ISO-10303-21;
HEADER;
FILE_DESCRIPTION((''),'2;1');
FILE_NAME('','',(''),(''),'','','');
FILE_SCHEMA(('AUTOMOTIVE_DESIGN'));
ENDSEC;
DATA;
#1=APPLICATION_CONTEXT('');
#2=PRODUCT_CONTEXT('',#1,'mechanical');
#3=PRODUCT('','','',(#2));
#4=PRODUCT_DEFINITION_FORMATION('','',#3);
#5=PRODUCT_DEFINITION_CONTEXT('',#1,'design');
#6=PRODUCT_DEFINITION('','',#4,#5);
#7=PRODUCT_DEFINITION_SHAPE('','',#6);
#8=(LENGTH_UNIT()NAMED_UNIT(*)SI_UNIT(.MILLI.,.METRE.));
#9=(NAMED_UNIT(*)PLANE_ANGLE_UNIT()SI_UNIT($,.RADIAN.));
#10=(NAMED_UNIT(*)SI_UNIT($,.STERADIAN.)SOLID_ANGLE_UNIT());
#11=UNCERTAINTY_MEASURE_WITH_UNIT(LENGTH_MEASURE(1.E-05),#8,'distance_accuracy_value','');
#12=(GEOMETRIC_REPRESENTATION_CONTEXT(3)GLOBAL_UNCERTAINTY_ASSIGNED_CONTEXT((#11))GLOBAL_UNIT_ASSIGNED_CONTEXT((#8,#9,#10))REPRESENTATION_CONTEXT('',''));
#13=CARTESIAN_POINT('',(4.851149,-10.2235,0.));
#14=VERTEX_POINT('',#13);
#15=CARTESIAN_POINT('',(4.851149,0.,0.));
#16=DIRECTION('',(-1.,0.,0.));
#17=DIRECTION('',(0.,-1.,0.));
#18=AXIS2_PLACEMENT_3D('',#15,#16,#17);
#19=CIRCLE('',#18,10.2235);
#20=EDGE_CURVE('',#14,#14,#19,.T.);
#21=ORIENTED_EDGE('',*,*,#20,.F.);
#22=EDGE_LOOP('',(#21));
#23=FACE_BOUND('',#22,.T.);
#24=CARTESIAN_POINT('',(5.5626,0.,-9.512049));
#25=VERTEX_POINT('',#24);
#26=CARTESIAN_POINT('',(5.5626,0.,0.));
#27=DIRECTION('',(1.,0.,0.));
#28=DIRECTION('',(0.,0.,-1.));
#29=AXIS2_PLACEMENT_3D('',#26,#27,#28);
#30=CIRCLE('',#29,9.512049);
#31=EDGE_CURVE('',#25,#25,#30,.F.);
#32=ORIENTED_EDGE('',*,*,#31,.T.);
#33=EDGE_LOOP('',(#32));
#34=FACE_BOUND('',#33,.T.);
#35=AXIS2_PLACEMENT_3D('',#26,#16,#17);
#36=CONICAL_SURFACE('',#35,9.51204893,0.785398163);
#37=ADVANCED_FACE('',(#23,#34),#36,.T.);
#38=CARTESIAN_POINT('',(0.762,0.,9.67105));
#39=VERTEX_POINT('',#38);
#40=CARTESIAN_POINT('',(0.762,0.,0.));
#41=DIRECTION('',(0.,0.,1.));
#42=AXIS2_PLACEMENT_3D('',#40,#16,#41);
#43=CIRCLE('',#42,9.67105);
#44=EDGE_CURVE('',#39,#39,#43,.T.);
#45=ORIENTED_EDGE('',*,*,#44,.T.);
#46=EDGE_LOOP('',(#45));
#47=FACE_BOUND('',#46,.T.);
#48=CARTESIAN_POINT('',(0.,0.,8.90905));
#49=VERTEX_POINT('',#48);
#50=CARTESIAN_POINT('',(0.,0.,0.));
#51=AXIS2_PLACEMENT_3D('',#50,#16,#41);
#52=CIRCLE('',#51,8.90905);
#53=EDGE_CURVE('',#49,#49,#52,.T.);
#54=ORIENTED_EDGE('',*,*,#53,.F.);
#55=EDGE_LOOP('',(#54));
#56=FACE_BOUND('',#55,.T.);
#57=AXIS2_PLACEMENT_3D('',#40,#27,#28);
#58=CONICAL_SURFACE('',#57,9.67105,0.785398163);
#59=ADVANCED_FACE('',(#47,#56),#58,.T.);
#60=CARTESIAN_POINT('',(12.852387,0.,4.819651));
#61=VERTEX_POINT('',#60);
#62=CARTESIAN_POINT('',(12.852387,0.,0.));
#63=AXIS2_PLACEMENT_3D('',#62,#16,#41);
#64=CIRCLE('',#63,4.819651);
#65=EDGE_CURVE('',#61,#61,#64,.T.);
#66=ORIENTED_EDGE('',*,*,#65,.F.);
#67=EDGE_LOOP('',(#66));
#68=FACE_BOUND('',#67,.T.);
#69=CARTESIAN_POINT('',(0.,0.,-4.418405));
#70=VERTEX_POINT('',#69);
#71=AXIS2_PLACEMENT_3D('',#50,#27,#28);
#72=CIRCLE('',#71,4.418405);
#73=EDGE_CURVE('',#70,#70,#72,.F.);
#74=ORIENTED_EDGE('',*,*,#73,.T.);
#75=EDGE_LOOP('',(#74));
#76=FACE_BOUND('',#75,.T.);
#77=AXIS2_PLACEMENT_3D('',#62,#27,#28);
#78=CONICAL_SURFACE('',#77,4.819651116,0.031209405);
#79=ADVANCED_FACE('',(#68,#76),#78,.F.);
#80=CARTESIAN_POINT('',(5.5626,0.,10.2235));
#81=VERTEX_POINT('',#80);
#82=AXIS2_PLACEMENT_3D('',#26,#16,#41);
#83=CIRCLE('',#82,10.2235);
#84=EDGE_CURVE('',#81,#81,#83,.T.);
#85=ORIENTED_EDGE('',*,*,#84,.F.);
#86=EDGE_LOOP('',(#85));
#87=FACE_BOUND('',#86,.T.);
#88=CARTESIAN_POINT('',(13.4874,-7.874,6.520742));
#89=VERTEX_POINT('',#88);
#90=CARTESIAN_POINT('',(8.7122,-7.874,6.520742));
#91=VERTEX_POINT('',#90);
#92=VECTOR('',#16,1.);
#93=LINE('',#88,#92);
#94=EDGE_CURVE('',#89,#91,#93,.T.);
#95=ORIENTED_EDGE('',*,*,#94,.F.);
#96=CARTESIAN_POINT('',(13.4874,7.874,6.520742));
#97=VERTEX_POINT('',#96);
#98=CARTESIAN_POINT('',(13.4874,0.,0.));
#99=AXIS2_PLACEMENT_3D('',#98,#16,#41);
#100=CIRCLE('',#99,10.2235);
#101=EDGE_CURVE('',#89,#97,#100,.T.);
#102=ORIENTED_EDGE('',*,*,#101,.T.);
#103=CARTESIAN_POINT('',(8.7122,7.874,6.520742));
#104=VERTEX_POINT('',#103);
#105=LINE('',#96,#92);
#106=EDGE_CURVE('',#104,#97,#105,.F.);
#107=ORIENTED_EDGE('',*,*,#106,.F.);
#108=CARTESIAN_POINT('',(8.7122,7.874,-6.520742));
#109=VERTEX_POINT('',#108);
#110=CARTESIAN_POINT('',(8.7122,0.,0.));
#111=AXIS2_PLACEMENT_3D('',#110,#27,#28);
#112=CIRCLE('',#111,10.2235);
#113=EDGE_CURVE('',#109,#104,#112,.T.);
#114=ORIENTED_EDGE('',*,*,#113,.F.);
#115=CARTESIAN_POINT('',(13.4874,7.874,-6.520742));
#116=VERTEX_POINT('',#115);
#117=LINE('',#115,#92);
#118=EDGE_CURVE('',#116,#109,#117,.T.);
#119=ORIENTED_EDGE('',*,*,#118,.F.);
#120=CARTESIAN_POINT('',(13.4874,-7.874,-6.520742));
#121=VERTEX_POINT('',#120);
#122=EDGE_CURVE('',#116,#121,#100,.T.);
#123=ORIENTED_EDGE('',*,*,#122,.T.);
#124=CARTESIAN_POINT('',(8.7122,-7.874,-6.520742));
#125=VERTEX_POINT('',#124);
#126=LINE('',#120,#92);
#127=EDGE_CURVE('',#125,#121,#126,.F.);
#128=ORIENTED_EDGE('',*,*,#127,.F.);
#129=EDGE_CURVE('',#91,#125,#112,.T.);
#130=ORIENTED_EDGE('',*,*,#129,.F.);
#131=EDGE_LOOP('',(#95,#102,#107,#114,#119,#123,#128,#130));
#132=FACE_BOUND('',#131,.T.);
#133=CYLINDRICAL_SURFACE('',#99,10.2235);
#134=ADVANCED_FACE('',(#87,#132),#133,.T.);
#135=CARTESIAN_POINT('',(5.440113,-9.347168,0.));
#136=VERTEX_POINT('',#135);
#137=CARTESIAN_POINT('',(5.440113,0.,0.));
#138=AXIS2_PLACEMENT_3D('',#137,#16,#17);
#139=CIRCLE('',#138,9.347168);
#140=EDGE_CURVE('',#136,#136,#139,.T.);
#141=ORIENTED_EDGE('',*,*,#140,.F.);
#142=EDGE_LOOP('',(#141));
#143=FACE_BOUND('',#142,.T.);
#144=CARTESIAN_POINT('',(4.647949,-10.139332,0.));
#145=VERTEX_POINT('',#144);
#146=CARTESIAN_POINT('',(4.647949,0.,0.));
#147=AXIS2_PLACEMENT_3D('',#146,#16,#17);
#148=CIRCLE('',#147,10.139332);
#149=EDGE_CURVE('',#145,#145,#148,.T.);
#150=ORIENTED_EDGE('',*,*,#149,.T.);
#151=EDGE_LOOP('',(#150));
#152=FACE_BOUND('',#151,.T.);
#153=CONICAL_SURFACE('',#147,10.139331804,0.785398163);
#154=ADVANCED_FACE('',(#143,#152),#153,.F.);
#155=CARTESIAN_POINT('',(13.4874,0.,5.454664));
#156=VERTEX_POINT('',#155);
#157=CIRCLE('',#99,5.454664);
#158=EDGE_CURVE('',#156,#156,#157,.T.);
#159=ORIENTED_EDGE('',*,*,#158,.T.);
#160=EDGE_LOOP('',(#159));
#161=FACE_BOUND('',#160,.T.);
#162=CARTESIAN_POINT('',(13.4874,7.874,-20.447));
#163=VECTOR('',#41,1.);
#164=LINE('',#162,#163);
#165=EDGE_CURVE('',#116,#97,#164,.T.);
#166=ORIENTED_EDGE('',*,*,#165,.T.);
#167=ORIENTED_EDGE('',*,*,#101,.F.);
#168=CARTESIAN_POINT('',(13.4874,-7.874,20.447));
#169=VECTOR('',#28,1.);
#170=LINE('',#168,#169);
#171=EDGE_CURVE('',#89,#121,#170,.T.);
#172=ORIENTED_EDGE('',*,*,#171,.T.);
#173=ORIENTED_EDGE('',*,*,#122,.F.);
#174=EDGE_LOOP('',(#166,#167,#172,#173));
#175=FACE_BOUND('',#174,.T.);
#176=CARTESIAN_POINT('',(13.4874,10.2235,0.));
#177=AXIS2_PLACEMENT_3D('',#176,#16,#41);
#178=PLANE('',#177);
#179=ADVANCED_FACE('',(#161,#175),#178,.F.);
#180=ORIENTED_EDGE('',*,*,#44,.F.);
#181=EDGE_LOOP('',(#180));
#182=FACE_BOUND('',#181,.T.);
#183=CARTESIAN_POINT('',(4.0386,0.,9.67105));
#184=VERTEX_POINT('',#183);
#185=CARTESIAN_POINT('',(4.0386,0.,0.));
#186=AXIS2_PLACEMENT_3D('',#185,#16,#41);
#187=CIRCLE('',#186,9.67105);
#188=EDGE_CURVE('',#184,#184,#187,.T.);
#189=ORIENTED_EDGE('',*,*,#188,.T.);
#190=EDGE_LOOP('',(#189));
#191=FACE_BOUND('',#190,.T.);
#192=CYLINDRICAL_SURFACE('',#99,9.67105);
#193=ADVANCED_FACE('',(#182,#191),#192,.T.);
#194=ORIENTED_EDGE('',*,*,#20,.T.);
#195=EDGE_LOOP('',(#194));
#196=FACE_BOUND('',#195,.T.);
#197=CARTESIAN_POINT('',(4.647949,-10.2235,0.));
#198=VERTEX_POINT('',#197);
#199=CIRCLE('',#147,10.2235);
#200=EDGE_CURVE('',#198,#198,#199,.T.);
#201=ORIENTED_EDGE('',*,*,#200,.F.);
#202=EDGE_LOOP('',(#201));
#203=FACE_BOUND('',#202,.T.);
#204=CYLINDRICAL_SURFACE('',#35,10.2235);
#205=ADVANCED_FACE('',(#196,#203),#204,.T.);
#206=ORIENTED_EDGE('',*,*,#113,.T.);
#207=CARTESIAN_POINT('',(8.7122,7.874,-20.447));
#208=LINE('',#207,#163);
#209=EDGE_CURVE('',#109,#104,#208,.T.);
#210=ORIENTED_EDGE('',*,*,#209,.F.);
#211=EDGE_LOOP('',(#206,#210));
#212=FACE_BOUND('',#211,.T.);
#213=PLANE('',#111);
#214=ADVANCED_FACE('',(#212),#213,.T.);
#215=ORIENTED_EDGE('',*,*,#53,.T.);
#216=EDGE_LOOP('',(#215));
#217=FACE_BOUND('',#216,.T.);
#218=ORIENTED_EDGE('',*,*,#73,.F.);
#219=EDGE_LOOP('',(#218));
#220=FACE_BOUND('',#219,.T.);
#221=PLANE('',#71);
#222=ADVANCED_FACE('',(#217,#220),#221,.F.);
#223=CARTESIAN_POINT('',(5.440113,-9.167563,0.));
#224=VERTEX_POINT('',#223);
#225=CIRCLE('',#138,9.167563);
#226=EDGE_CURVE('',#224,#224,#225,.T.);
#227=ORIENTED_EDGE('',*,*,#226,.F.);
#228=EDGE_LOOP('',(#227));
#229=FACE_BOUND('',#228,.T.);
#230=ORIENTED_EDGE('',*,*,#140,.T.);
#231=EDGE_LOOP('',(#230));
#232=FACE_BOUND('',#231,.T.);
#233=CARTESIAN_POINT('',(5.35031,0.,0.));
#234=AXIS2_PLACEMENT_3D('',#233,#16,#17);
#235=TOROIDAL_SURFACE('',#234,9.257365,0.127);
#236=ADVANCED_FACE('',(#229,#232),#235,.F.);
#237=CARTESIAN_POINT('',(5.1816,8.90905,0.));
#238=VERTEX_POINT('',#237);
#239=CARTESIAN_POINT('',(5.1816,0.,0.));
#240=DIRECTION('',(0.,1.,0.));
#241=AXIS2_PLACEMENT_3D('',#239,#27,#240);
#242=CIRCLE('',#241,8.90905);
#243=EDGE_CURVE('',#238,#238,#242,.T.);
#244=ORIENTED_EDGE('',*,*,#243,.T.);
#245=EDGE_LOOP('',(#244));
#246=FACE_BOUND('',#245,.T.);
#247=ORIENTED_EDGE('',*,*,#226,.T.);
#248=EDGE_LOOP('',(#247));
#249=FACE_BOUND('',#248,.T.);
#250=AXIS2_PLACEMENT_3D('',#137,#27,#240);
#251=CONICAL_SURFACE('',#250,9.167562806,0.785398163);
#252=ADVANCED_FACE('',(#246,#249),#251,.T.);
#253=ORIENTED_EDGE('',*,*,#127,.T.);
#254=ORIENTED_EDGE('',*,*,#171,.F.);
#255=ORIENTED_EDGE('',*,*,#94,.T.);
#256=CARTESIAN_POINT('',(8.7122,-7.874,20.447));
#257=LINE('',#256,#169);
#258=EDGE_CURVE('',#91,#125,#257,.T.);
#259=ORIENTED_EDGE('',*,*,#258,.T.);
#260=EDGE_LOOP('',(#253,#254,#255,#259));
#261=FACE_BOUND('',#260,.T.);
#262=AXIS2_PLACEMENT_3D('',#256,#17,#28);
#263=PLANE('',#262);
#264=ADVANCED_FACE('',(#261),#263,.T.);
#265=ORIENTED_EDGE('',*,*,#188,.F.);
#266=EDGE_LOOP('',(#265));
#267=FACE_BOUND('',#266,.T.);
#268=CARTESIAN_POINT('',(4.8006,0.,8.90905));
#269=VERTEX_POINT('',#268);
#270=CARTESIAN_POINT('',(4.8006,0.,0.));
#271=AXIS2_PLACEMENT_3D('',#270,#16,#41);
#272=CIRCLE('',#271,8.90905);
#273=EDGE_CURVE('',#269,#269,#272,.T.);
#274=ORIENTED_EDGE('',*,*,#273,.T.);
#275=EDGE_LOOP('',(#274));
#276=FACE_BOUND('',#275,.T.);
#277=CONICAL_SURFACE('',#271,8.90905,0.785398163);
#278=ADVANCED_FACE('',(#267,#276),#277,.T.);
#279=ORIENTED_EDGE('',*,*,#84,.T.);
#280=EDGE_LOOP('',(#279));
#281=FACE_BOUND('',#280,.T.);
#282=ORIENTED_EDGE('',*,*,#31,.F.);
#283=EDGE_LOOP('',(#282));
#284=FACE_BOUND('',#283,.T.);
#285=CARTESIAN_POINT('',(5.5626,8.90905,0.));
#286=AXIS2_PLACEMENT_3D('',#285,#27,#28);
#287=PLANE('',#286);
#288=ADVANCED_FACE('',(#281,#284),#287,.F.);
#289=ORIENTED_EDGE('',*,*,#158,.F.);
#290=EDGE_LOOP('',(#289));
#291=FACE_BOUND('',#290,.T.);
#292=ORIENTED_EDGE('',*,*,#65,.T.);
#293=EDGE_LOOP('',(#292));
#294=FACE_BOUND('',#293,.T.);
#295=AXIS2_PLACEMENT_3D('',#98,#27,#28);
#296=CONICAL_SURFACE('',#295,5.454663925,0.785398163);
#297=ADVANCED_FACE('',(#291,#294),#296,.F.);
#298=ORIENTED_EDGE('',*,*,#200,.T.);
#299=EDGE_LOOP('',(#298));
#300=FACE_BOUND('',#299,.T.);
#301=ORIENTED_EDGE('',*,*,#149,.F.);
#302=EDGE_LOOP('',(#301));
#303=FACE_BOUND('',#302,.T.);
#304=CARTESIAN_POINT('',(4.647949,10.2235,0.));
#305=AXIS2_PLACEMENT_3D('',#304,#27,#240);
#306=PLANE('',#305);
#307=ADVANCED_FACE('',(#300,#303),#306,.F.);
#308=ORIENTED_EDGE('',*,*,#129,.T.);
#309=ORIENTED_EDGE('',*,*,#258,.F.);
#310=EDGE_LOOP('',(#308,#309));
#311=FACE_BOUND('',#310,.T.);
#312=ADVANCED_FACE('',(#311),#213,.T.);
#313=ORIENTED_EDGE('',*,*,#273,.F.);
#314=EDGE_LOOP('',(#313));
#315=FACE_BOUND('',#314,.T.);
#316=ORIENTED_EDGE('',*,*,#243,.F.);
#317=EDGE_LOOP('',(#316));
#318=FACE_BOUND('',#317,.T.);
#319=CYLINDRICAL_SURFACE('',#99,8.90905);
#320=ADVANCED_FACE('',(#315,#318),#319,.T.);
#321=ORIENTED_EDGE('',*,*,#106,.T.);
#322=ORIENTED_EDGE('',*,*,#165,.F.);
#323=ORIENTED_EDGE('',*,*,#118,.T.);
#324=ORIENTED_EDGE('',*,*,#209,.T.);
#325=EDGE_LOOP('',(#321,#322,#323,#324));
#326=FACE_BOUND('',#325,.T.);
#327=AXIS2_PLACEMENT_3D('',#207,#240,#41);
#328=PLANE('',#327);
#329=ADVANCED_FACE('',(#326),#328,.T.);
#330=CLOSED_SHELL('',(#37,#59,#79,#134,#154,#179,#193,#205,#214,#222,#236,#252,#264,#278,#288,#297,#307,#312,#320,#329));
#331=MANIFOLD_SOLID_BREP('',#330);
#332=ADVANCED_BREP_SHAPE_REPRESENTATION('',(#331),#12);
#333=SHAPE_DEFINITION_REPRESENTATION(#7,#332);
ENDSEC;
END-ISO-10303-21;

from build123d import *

# Parameters (mm, degrees)
SKETCH3_W          = 81.788
SKETCH3_H          = 40.894
SKETCH3_W_2        = 40.894
SKETCH3_H_2        = 15.748
CUT_EXTRUDE1_DEPTH = 4.7752


with BuildPart() as part:
    # Sketch1 → Revolve1 (revolve)
    with BuildSketch(Plane.XY):
        Polygon((0, 0), (0, 8.90905), (0.762, 9.67105), (4.0386, 9.67105), (4.8006, 8.90905), (5.5626, 8.90905), (5.5626, 10.2235), (13.4874, 10.2235), (13.4874, 0), align=None)
    revolve(axis=Axis((13.4874, 0, 0), (-1, 0, 0)))

    # Sketch2 → Cut-Revolve1 (revolve, cut)
    with BuildSketch(Plane.XY):
        Polygon((0, 0), (0, 4.3688), (-1.588923892, 4.3688), (12.852387191, 4.819651116), (13.4874, 5.454663925), (13.4874, 0), align=None)
    revolve(axis=Axis((13.4874, 0, 0), (-1, 0, 0)), mode=Mode.SUBTRACT)

    # Sketch3 → Cut-Extrude1 (cut)
    with BuildSketch(Plane(origin=(13.4874, 0, 0), x_dir=(0, 0, -1), z_dir=(1, 0, 0))):
        Rectangle(SKETCH3_W, SKETCH3_H)
        Rectangle(SKETCH3_W_2, SKETCH3_H_2, mode=Mode.SUBTRACT)
    extrude(amount=-CUT_EXTRUDE1_DEPTH, mode=Mode.SUBTRACT)

    # Sketch4 → Revolve2 (revolve)
    with BuildSketch(Plane.XY):
        with BuildLine():
            Line((4.64794893, 10.139331804), (5.440112806, 9.347167928))
            ThreePointArc((5.440112806, 9.347167928), (5.477310245, 9.257365367), (5.440112806, 9.167562806))
            Line((5.440112806, 9.167562806), (5.1816, 8.90905))
            Line((5.1816, 8.90905), (4.8006, 8.90905))
            Line((4.8006, 8.90905), (4.8006, 8.65505))
            Line((4.8006, 8.65505), (5.5626, 8.65505))
            Line((5.5626, 8.65505), (5.5626, 9.51204893))
            Line((5.5626, 9.51204893), (4.85114893, 10.2235))
            Line((4.85114893, 10.2235), (4.64794893, 10.2235))
            Line((4.64794893, 10.2235), (4.64794893, 10.139331804))
        make_face()
    revolve(axis=Axis((5.5626, 0, 0), (-1, 0, 0)))


solid = part.part
